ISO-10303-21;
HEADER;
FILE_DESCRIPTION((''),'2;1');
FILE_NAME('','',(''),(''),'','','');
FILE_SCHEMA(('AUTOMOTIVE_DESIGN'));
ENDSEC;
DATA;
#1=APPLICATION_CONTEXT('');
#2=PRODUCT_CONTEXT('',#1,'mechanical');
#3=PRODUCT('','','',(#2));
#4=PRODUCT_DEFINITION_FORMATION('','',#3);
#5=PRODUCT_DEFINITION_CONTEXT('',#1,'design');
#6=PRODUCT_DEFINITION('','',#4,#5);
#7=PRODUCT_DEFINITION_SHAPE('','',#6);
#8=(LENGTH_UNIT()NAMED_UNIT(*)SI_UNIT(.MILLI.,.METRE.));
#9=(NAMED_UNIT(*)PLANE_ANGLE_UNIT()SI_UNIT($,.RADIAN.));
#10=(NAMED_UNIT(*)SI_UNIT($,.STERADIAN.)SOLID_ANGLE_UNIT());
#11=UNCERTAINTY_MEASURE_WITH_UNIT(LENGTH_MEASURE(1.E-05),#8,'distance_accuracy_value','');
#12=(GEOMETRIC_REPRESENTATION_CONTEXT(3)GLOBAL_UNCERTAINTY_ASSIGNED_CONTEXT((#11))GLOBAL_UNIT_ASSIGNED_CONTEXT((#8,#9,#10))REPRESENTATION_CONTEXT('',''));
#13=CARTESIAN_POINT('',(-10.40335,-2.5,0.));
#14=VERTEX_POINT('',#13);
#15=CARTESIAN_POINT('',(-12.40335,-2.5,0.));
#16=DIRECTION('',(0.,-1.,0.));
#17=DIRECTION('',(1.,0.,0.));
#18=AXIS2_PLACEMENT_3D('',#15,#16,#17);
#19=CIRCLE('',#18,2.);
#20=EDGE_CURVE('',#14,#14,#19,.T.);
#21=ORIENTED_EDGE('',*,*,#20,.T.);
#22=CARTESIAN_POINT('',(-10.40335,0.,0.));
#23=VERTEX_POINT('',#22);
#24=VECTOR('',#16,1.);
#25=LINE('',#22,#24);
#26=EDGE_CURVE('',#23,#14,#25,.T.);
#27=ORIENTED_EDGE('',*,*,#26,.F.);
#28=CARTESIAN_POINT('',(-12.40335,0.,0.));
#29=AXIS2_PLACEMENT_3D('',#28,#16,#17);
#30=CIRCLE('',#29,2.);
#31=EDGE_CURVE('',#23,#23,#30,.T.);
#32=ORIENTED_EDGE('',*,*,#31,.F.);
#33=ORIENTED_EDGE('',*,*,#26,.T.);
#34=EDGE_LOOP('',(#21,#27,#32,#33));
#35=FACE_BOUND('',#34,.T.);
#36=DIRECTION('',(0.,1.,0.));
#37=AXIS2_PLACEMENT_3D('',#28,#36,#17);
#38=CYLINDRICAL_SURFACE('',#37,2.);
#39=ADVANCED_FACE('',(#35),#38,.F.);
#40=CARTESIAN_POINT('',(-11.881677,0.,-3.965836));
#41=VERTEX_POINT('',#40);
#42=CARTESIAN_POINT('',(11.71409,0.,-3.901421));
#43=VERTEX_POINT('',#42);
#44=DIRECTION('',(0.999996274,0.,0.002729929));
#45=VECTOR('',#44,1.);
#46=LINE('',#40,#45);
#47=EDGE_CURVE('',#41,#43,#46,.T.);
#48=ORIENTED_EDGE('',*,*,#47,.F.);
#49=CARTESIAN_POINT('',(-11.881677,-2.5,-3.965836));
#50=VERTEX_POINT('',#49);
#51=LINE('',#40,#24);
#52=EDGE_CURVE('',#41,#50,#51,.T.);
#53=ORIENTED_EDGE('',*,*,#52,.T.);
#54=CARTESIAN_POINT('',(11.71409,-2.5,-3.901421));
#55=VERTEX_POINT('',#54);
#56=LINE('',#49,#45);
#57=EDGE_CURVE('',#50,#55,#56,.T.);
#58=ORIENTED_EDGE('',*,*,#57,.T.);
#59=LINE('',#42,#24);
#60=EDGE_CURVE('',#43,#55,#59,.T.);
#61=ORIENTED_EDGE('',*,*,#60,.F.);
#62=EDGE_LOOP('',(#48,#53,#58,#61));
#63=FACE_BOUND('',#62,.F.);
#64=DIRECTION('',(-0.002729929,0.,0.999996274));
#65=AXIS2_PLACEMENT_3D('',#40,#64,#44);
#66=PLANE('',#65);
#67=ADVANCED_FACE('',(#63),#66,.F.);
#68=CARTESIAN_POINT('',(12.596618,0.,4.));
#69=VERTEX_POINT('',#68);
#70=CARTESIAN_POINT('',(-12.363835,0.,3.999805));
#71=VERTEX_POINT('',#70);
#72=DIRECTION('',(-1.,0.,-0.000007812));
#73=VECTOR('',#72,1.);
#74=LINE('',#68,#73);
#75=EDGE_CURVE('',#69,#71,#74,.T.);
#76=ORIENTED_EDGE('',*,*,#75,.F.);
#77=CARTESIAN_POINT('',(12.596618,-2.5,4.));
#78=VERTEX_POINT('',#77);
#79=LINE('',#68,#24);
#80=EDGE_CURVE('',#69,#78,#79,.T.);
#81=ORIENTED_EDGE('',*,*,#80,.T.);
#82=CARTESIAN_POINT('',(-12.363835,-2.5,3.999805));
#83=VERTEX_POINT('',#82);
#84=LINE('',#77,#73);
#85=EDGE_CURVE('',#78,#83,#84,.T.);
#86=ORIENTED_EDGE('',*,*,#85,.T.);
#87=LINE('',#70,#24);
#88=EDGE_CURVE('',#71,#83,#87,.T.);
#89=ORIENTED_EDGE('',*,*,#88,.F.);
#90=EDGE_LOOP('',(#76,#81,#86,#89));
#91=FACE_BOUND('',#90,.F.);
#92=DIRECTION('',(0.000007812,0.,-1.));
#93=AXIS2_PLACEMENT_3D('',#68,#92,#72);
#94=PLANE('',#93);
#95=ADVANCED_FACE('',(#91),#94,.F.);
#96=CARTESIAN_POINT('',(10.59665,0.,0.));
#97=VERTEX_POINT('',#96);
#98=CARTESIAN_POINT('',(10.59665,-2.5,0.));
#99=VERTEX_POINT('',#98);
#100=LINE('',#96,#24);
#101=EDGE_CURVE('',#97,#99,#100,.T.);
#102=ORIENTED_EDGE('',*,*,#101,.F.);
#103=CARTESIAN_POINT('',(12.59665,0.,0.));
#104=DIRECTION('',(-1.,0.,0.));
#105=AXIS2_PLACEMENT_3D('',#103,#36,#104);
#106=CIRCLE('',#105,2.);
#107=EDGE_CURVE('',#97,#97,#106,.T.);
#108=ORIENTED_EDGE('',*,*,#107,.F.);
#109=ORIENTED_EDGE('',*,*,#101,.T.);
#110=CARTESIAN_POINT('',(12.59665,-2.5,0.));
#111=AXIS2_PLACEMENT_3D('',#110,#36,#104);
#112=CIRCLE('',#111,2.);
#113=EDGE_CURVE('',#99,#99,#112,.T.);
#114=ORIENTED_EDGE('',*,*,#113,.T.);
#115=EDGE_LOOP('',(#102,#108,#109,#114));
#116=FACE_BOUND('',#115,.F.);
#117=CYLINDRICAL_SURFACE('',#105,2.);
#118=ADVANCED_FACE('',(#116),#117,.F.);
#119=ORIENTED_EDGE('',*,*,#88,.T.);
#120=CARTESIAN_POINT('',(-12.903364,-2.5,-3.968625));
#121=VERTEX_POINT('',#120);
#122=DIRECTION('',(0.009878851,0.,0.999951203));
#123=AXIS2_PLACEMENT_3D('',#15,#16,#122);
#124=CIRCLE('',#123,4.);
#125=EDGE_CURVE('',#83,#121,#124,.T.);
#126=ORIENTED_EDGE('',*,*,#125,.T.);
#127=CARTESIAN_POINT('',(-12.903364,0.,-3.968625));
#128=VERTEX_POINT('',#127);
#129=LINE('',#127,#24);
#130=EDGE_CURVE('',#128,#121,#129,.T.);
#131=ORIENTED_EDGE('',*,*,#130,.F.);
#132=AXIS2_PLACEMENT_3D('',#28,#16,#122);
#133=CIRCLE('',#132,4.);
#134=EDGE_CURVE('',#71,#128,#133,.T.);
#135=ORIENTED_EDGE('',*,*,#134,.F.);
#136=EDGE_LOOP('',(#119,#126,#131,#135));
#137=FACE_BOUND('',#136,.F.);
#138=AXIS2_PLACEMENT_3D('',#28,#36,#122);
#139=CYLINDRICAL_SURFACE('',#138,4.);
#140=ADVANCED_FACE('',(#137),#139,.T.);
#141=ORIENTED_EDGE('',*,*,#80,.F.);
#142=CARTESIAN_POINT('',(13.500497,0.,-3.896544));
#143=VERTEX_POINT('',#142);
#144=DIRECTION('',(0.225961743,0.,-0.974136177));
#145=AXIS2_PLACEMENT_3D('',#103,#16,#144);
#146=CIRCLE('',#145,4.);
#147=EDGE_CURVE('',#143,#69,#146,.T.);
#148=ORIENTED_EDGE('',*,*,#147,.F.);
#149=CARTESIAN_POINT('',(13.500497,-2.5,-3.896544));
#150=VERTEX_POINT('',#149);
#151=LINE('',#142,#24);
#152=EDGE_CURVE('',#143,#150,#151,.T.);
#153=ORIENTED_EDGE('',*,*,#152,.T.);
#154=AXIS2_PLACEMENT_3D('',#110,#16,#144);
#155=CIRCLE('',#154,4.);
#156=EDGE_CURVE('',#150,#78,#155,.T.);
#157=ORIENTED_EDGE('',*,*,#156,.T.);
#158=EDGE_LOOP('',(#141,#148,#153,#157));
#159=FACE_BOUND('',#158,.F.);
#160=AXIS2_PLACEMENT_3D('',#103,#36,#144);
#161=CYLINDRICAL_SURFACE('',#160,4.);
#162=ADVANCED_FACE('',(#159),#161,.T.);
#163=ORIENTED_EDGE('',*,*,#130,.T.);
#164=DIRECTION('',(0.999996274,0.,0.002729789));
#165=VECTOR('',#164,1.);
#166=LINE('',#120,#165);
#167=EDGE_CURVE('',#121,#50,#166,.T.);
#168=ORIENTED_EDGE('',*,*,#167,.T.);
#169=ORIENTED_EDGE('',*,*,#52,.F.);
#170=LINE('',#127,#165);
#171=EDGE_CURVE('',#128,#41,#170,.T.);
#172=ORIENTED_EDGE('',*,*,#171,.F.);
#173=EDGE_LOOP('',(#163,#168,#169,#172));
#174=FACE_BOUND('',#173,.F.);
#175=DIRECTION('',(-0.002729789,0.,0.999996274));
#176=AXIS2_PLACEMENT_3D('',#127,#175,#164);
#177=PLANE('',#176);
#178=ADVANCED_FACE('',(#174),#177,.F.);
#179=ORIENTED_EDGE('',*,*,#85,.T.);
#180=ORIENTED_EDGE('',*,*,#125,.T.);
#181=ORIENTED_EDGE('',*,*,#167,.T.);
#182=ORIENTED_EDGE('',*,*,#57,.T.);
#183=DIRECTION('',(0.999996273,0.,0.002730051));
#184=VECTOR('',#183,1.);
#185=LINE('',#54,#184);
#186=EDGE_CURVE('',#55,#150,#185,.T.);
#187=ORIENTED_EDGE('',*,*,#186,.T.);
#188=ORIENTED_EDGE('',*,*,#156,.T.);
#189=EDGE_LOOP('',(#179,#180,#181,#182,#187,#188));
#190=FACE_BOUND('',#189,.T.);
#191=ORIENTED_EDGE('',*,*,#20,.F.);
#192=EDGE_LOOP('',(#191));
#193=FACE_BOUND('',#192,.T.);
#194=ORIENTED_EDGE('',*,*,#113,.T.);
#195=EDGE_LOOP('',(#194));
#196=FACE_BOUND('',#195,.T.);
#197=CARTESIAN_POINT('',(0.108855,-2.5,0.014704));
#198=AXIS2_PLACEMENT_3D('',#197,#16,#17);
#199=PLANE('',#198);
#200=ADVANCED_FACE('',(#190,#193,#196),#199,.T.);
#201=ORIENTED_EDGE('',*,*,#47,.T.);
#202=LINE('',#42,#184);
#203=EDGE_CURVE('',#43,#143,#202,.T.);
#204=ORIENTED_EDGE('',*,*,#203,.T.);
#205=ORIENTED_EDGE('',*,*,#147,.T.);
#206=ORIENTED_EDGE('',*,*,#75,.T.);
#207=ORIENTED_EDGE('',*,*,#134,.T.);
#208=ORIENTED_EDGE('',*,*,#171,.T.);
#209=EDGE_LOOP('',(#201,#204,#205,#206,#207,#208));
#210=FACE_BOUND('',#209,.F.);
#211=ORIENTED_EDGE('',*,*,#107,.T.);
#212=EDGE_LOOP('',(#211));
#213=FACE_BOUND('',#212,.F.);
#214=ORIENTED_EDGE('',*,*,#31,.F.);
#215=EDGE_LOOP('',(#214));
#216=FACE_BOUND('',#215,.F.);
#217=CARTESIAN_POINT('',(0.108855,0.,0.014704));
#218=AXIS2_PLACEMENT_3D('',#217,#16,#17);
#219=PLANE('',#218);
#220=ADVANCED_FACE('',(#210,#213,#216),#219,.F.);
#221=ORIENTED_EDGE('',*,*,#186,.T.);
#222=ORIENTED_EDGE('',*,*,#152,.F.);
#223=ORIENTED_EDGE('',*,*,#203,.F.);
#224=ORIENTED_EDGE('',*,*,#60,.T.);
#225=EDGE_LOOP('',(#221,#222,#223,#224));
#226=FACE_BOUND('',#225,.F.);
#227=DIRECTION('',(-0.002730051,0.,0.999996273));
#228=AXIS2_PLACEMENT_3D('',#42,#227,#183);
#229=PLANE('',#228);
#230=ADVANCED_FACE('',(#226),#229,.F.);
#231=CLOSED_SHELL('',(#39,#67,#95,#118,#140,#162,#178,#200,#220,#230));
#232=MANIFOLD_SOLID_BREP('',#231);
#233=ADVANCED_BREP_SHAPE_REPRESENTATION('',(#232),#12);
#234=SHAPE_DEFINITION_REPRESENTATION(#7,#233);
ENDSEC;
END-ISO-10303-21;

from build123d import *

# Parameters (mm, degrees)
F0_R     = 2
F1_DEPTH = 2.5


with BuildPart() as f1:
    # F0 (on Front) → F1 (new body)
    with BuildSketch(Plane.XZ):
        with BuildLine():
            Line((12.596618, 4), (-12.363835, 3.999805))
            ThreePointArc((-12.363835, 3.999805), (-16.394213, 0.270214), (-12.903364, -3.968625))
            Line((-12.903364, -3.968625), (-11.881677, -3.965836))
            Line((-11.881677, -3.965836), (11.71409, -3.901421))
            Line((11.71409, -3.901421), (13.500497, -3.896544))
            ThreePointArc((13.500497, -3.896544), (16.5707, 0.45489), (12.596618, 4))
        make_face()
        with Locations((-12.40335, 0)):
            Circle(F0_R, mode=Mode.SUBTRACT)
        with BuildLine():
            ThreePointArc((14.59665, 0), (12.59665, -2), (10.59665, 0))
            ThreePointArc((10.59665, 0), (12.59665, 2), (14.59665, 0))
        make_face(mode=Mode.SUBTRACT)
    extrude(amount=F1_DEPTH)


solid = f1.part
